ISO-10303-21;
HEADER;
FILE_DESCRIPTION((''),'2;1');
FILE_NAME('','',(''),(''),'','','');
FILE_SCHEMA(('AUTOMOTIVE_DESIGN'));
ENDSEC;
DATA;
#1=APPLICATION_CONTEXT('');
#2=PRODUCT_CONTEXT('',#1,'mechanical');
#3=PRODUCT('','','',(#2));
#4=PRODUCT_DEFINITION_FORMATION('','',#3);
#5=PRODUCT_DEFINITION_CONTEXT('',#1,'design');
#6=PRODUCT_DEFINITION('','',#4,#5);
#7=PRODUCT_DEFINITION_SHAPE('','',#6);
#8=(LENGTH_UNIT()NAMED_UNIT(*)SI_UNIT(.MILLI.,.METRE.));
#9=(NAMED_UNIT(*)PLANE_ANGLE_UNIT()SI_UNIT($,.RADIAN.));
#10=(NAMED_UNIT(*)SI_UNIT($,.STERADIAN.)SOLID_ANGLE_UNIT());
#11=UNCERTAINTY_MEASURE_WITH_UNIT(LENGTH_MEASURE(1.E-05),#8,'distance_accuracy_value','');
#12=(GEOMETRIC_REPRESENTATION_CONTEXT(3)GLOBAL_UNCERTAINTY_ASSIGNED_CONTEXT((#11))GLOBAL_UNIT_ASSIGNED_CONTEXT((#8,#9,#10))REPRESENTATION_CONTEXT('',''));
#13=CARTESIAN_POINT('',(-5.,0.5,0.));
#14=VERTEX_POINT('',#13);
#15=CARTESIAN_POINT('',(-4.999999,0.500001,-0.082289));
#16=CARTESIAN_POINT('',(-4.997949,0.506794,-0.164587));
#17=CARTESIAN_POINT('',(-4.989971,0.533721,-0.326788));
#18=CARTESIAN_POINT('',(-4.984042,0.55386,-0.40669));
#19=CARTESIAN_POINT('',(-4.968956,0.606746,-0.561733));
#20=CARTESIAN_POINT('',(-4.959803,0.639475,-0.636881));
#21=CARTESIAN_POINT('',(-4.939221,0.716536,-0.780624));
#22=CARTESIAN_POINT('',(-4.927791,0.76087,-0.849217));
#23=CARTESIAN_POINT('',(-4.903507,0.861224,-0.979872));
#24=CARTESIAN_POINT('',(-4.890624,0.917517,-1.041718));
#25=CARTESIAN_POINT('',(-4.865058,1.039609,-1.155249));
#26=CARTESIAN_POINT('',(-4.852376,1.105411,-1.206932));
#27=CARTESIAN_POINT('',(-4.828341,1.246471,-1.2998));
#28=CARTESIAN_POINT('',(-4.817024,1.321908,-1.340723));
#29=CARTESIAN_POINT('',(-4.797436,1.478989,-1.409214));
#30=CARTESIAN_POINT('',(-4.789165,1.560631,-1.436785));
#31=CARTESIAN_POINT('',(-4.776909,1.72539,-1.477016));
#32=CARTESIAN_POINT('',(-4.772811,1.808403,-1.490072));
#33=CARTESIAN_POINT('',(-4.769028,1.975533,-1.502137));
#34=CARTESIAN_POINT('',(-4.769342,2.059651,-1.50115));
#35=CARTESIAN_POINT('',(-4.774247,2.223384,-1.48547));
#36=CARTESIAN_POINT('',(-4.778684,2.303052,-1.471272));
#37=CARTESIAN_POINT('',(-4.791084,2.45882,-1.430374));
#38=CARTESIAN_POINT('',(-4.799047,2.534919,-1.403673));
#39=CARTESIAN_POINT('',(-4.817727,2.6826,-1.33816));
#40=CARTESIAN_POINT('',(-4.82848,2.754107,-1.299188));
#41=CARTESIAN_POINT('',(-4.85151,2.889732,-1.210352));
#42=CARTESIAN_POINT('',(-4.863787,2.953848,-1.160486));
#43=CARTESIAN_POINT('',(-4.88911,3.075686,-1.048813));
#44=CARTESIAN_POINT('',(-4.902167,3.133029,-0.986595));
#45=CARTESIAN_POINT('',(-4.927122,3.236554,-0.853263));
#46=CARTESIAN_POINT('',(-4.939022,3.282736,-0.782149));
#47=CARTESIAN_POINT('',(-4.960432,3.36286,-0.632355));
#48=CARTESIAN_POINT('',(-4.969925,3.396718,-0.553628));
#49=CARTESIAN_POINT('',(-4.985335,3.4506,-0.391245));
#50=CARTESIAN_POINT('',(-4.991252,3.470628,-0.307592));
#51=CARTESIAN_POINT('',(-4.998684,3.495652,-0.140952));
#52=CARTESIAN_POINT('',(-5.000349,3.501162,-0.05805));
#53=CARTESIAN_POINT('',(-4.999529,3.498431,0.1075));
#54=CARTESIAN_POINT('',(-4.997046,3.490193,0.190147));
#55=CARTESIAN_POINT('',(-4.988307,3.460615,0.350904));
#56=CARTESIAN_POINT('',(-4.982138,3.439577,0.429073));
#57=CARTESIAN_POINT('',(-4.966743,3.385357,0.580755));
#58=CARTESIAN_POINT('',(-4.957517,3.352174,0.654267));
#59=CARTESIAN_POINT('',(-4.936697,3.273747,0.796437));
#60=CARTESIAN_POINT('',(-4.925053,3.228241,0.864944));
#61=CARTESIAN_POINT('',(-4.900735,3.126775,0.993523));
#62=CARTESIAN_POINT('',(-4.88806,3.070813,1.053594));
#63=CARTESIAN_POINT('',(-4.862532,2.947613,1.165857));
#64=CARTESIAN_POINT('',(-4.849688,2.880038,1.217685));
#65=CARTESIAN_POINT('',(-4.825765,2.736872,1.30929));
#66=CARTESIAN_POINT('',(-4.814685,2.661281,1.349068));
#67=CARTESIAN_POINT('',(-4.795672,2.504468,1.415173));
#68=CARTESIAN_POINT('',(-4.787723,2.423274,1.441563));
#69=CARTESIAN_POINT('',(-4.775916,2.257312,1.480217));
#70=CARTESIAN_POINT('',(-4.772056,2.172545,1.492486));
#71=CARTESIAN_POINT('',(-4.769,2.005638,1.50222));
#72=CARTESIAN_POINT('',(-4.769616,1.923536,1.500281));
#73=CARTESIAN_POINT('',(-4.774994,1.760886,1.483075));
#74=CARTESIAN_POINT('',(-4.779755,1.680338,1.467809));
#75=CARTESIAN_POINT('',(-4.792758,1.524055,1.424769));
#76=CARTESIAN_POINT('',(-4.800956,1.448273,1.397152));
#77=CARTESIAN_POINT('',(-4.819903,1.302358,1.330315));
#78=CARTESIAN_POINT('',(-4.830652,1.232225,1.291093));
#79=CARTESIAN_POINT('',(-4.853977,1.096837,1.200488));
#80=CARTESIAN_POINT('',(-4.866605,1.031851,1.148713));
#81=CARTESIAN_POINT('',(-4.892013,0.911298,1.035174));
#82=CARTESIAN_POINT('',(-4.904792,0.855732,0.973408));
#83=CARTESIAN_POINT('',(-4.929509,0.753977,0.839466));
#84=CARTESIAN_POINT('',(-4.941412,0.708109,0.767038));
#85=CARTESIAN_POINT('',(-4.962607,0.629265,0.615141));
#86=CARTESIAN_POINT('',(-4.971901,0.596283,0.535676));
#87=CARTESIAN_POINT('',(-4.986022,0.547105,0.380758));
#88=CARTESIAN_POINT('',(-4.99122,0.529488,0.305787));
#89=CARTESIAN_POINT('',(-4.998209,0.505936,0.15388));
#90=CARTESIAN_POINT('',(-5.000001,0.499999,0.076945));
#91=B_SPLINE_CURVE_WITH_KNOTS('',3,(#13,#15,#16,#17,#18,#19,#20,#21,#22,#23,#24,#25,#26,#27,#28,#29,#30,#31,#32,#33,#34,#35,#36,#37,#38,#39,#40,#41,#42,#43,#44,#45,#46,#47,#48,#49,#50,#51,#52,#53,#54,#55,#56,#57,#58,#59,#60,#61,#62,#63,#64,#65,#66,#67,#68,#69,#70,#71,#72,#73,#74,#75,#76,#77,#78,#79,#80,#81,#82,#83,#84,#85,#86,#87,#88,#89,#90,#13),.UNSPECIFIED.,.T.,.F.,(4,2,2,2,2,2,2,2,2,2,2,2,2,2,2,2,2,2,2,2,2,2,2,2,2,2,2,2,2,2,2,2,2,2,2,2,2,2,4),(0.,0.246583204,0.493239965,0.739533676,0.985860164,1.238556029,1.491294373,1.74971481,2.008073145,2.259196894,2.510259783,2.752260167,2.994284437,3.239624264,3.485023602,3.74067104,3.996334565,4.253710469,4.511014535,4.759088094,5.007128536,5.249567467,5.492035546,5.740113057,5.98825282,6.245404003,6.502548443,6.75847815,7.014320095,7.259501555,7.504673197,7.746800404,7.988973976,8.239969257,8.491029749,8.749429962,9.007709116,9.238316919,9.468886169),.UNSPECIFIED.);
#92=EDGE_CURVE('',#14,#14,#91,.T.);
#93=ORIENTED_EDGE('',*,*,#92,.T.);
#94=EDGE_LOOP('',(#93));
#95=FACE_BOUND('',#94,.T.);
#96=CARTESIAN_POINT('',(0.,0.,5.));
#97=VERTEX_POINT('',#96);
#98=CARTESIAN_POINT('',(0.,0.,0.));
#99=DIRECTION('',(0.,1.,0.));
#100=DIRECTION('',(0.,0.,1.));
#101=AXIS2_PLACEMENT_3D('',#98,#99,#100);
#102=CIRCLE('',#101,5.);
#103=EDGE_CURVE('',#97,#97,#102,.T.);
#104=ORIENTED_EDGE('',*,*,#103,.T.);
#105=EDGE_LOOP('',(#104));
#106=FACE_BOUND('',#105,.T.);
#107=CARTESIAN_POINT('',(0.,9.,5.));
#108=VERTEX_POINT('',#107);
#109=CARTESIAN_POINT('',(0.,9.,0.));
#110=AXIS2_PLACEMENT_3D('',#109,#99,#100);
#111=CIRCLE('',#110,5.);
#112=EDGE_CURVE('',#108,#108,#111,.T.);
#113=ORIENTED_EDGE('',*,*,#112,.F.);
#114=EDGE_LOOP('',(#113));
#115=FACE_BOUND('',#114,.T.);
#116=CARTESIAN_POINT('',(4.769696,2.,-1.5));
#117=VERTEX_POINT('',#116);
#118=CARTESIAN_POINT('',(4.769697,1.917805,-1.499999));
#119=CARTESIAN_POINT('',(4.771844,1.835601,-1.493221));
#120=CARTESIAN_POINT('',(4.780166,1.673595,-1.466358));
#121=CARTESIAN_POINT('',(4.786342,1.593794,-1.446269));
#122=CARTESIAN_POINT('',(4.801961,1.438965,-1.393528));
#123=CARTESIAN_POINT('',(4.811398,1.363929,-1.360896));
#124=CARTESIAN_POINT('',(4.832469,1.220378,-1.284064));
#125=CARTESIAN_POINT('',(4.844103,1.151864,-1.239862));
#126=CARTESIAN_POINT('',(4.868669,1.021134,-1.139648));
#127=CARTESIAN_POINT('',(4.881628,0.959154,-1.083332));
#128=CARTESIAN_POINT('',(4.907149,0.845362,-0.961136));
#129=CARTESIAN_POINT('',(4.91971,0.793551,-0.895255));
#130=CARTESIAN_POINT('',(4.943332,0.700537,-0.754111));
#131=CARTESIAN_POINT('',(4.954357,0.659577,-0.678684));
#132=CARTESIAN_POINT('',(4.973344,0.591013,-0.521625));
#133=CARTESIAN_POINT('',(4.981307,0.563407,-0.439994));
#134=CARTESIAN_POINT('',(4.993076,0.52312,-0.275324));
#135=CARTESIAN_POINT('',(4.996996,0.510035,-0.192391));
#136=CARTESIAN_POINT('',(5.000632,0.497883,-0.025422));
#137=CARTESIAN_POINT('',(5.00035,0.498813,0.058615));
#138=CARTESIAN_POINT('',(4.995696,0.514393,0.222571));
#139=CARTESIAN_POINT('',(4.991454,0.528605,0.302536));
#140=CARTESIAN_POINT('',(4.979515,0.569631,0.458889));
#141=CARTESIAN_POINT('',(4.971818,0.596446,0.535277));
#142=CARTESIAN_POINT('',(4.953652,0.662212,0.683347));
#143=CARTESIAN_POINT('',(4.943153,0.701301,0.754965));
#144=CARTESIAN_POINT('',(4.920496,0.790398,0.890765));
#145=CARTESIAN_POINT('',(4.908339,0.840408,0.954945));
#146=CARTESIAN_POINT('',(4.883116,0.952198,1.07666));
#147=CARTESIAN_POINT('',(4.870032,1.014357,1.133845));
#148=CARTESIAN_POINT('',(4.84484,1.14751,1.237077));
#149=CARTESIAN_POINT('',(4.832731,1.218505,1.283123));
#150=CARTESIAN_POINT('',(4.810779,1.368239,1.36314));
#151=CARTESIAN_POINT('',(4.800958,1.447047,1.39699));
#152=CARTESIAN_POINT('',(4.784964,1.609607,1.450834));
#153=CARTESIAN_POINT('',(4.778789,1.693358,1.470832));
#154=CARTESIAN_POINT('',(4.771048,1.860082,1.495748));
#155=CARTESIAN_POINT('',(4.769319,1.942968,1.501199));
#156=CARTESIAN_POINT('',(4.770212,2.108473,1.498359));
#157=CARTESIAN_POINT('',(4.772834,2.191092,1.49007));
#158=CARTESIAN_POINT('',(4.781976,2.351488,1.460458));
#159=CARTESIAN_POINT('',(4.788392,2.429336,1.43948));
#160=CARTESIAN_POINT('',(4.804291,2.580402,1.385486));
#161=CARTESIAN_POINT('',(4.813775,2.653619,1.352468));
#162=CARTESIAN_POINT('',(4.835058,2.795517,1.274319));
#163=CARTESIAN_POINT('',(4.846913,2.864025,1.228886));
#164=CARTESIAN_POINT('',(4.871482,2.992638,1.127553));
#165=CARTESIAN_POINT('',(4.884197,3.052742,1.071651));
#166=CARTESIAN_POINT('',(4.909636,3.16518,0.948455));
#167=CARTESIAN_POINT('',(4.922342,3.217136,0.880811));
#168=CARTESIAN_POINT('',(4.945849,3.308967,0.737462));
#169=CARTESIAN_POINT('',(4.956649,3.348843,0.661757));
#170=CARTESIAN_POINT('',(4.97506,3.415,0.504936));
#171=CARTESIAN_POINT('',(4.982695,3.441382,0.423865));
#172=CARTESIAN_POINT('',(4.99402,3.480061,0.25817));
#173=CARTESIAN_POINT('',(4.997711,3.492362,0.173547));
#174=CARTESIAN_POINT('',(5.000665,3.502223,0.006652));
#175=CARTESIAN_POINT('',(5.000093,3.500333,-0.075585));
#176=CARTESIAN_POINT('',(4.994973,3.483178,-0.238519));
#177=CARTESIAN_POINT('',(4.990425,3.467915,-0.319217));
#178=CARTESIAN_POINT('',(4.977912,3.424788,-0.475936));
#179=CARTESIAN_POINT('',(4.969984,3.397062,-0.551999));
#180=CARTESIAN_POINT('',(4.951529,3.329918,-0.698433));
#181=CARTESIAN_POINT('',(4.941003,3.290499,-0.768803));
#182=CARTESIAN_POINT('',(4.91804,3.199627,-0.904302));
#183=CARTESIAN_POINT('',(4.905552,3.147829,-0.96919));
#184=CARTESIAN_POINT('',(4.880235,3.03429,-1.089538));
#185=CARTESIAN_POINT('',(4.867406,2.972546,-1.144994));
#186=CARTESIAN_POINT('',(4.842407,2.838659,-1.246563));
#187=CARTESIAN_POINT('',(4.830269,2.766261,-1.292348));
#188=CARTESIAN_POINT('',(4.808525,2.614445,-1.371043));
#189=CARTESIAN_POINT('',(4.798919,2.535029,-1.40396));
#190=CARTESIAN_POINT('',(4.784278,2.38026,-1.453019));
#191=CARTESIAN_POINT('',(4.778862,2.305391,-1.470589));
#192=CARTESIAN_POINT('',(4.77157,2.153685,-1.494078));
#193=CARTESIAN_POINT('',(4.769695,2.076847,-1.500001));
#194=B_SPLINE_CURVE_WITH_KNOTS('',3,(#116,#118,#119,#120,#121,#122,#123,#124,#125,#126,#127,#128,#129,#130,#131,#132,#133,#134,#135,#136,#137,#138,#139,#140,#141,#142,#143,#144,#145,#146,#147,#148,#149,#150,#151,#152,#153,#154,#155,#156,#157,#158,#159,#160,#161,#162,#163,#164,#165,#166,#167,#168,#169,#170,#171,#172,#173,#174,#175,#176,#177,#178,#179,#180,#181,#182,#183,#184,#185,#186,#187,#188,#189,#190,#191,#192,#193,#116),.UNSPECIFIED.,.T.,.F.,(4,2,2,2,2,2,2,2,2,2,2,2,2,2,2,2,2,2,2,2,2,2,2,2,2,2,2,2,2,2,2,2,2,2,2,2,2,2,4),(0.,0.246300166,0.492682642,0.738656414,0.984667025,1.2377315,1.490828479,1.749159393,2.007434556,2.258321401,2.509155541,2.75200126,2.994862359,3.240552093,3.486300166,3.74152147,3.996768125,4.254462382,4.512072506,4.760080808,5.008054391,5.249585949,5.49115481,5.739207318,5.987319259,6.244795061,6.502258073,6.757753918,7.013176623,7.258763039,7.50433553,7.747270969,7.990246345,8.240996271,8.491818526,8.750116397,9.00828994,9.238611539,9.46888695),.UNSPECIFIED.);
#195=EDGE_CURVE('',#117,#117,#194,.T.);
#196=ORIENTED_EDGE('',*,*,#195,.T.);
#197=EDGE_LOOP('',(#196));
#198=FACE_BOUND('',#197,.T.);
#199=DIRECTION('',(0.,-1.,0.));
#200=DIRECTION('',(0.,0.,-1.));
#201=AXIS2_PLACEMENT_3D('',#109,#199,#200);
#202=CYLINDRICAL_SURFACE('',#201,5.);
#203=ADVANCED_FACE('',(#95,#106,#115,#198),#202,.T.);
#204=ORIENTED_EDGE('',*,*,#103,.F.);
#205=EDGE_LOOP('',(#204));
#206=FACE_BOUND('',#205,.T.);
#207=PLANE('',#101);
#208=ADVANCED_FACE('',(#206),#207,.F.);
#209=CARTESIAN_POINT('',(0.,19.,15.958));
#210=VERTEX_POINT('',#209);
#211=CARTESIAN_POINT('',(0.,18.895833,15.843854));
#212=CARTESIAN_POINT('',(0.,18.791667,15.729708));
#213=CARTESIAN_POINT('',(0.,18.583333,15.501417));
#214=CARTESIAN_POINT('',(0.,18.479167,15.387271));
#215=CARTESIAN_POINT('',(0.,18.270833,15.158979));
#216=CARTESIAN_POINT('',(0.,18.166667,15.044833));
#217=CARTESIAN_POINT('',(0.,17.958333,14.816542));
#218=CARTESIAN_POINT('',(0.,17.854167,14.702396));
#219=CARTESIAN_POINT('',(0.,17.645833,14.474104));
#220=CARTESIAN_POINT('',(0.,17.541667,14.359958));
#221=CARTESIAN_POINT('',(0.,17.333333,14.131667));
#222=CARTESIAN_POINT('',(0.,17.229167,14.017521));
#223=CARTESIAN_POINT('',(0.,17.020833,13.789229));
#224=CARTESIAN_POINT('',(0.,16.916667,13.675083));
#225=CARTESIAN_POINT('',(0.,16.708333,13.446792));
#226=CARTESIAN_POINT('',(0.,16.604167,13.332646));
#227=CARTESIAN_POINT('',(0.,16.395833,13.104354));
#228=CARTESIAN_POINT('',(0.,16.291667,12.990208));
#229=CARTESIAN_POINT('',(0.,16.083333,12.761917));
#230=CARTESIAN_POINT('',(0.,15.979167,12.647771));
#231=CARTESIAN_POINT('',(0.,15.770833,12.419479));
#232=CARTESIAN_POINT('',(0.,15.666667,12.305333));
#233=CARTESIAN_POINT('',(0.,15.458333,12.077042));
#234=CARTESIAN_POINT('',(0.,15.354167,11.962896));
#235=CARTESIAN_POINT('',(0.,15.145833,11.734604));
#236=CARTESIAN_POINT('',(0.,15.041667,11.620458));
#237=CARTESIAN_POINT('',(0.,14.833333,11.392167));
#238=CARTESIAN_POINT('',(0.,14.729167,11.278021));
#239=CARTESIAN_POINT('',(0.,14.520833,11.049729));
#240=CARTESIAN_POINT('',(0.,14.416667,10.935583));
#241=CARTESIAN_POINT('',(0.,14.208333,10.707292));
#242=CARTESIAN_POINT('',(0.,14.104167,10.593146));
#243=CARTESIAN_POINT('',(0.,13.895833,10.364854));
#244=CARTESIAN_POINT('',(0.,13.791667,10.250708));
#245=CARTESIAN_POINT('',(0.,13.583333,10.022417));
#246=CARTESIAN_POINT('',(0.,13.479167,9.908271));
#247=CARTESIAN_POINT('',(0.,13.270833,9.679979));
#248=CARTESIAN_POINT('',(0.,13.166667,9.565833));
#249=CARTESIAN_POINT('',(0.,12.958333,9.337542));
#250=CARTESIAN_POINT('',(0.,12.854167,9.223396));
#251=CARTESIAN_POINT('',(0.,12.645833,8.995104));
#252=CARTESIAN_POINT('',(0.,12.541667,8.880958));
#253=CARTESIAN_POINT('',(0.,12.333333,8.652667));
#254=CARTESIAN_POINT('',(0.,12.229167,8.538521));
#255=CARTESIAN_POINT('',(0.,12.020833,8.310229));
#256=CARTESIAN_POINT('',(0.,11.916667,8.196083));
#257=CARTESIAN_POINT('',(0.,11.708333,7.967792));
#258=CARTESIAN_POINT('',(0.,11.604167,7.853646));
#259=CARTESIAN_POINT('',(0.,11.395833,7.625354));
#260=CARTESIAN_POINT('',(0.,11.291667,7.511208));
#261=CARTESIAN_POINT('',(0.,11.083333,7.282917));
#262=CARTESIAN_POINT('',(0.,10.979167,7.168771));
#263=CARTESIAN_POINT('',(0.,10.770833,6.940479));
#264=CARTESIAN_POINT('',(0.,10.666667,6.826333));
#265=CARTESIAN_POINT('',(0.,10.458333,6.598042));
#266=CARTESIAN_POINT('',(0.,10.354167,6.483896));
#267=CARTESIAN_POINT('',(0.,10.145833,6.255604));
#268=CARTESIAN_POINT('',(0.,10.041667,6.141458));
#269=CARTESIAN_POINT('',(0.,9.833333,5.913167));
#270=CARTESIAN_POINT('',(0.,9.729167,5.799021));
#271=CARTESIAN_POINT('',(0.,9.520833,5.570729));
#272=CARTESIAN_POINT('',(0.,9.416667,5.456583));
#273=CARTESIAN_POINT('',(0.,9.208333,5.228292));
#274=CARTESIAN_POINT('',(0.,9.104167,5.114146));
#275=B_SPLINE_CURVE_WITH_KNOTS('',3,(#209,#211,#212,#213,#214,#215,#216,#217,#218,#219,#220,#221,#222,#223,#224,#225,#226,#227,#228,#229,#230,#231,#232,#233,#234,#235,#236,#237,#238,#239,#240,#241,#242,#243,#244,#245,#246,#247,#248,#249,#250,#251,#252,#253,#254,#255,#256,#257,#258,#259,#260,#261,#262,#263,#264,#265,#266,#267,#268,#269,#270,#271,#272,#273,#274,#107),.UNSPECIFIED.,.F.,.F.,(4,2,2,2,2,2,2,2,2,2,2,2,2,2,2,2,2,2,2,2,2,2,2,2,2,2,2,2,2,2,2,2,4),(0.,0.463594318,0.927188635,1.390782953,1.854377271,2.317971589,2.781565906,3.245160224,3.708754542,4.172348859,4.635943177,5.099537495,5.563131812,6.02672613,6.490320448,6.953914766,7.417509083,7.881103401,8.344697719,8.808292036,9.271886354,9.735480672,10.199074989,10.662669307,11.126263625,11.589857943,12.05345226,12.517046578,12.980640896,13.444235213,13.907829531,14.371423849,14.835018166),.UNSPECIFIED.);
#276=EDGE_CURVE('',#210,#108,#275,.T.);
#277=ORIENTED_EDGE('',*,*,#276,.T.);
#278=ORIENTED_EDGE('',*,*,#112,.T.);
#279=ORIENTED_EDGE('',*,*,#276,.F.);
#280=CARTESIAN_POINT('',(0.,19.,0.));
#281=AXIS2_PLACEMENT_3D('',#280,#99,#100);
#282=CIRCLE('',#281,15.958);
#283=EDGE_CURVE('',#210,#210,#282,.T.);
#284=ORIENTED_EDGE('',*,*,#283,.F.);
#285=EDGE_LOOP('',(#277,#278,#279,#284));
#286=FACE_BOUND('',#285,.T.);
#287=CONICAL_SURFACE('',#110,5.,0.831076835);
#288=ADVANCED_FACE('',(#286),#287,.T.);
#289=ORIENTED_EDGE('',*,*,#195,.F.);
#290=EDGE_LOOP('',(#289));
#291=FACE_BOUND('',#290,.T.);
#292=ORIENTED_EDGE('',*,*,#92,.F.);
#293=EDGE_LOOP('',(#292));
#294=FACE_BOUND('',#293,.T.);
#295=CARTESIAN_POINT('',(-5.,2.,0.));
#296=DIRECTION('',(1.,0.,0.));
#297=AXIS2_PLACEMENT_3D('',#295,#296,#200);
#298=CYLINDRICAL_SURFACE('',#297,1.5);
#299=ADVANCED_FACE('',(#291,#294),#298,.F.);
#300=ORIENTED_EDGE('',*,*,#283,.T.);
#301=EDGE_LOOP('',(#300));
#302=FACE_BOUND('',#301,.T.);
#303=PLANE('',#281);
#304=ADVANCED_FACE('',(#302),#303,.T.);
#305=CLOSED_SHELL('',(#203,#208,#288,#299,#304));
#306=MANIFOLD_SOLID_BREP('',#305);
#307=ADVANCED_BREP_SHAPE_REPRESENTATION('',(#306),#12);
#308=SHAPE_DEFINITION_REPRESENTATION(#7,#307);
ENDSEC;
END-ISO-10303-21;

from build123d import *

# Parameters (mm, degrees)
SKETCH1_R             = 5
BODY_DEPTH            = 9
PIN_INSERT_DEPTH      = 12.445523142
PIN_INSERT_DEPTH_BACK = 12.445523142
SKETCH2_R             = 1.5
HEAD_SA_R             = 15.958


with BuildPart() as part:
    # Sketch1 → body (new body)
    with BuildSketch(Plane(origin=(0, 0, 0), x_dir=(1, 0, 0), z_dir=(0, 1, 0))):
        with Locations(Location((0, 0, 0), (0, 0, 270))):
            Circle(SKETCH1_R)
    extrude(amount=BODY_DEPTH)

    # Sketch2 → pin insert (cut, two sides: drawn at the far end of the back side and taken through both)
    with BuildSketch(Plane(origin=(0, 0, 0), x_dir=(0, 0, -1), z_dir=(1, 0, 0)).offset(-PIN_INSERT_DEPTH_BACK)):
        with Locations((0, 2)):
            Circle(SKETCH2_R)
    extrude(amount=PIN_INSERT_DEPTH + PIN_INSERT_DEPTH_BACK, mode=Mode.SUBTRACT)

    # head SA → section 0 of cone
    with BuildSketch(Plane(origin=(0, 19, 0), x_dir=(1, 0, 0), z_dir=(0, 1, 0)), mode=Mode.PRIVATE) as cone_s0:
        Circle(HEAD_SA_R)
    # loft up to a face of the part (cone)
    loft([cone_s0.sketch, part.faces().sort_by_distance((0, 9, 0))[0]])


solid = part.part
